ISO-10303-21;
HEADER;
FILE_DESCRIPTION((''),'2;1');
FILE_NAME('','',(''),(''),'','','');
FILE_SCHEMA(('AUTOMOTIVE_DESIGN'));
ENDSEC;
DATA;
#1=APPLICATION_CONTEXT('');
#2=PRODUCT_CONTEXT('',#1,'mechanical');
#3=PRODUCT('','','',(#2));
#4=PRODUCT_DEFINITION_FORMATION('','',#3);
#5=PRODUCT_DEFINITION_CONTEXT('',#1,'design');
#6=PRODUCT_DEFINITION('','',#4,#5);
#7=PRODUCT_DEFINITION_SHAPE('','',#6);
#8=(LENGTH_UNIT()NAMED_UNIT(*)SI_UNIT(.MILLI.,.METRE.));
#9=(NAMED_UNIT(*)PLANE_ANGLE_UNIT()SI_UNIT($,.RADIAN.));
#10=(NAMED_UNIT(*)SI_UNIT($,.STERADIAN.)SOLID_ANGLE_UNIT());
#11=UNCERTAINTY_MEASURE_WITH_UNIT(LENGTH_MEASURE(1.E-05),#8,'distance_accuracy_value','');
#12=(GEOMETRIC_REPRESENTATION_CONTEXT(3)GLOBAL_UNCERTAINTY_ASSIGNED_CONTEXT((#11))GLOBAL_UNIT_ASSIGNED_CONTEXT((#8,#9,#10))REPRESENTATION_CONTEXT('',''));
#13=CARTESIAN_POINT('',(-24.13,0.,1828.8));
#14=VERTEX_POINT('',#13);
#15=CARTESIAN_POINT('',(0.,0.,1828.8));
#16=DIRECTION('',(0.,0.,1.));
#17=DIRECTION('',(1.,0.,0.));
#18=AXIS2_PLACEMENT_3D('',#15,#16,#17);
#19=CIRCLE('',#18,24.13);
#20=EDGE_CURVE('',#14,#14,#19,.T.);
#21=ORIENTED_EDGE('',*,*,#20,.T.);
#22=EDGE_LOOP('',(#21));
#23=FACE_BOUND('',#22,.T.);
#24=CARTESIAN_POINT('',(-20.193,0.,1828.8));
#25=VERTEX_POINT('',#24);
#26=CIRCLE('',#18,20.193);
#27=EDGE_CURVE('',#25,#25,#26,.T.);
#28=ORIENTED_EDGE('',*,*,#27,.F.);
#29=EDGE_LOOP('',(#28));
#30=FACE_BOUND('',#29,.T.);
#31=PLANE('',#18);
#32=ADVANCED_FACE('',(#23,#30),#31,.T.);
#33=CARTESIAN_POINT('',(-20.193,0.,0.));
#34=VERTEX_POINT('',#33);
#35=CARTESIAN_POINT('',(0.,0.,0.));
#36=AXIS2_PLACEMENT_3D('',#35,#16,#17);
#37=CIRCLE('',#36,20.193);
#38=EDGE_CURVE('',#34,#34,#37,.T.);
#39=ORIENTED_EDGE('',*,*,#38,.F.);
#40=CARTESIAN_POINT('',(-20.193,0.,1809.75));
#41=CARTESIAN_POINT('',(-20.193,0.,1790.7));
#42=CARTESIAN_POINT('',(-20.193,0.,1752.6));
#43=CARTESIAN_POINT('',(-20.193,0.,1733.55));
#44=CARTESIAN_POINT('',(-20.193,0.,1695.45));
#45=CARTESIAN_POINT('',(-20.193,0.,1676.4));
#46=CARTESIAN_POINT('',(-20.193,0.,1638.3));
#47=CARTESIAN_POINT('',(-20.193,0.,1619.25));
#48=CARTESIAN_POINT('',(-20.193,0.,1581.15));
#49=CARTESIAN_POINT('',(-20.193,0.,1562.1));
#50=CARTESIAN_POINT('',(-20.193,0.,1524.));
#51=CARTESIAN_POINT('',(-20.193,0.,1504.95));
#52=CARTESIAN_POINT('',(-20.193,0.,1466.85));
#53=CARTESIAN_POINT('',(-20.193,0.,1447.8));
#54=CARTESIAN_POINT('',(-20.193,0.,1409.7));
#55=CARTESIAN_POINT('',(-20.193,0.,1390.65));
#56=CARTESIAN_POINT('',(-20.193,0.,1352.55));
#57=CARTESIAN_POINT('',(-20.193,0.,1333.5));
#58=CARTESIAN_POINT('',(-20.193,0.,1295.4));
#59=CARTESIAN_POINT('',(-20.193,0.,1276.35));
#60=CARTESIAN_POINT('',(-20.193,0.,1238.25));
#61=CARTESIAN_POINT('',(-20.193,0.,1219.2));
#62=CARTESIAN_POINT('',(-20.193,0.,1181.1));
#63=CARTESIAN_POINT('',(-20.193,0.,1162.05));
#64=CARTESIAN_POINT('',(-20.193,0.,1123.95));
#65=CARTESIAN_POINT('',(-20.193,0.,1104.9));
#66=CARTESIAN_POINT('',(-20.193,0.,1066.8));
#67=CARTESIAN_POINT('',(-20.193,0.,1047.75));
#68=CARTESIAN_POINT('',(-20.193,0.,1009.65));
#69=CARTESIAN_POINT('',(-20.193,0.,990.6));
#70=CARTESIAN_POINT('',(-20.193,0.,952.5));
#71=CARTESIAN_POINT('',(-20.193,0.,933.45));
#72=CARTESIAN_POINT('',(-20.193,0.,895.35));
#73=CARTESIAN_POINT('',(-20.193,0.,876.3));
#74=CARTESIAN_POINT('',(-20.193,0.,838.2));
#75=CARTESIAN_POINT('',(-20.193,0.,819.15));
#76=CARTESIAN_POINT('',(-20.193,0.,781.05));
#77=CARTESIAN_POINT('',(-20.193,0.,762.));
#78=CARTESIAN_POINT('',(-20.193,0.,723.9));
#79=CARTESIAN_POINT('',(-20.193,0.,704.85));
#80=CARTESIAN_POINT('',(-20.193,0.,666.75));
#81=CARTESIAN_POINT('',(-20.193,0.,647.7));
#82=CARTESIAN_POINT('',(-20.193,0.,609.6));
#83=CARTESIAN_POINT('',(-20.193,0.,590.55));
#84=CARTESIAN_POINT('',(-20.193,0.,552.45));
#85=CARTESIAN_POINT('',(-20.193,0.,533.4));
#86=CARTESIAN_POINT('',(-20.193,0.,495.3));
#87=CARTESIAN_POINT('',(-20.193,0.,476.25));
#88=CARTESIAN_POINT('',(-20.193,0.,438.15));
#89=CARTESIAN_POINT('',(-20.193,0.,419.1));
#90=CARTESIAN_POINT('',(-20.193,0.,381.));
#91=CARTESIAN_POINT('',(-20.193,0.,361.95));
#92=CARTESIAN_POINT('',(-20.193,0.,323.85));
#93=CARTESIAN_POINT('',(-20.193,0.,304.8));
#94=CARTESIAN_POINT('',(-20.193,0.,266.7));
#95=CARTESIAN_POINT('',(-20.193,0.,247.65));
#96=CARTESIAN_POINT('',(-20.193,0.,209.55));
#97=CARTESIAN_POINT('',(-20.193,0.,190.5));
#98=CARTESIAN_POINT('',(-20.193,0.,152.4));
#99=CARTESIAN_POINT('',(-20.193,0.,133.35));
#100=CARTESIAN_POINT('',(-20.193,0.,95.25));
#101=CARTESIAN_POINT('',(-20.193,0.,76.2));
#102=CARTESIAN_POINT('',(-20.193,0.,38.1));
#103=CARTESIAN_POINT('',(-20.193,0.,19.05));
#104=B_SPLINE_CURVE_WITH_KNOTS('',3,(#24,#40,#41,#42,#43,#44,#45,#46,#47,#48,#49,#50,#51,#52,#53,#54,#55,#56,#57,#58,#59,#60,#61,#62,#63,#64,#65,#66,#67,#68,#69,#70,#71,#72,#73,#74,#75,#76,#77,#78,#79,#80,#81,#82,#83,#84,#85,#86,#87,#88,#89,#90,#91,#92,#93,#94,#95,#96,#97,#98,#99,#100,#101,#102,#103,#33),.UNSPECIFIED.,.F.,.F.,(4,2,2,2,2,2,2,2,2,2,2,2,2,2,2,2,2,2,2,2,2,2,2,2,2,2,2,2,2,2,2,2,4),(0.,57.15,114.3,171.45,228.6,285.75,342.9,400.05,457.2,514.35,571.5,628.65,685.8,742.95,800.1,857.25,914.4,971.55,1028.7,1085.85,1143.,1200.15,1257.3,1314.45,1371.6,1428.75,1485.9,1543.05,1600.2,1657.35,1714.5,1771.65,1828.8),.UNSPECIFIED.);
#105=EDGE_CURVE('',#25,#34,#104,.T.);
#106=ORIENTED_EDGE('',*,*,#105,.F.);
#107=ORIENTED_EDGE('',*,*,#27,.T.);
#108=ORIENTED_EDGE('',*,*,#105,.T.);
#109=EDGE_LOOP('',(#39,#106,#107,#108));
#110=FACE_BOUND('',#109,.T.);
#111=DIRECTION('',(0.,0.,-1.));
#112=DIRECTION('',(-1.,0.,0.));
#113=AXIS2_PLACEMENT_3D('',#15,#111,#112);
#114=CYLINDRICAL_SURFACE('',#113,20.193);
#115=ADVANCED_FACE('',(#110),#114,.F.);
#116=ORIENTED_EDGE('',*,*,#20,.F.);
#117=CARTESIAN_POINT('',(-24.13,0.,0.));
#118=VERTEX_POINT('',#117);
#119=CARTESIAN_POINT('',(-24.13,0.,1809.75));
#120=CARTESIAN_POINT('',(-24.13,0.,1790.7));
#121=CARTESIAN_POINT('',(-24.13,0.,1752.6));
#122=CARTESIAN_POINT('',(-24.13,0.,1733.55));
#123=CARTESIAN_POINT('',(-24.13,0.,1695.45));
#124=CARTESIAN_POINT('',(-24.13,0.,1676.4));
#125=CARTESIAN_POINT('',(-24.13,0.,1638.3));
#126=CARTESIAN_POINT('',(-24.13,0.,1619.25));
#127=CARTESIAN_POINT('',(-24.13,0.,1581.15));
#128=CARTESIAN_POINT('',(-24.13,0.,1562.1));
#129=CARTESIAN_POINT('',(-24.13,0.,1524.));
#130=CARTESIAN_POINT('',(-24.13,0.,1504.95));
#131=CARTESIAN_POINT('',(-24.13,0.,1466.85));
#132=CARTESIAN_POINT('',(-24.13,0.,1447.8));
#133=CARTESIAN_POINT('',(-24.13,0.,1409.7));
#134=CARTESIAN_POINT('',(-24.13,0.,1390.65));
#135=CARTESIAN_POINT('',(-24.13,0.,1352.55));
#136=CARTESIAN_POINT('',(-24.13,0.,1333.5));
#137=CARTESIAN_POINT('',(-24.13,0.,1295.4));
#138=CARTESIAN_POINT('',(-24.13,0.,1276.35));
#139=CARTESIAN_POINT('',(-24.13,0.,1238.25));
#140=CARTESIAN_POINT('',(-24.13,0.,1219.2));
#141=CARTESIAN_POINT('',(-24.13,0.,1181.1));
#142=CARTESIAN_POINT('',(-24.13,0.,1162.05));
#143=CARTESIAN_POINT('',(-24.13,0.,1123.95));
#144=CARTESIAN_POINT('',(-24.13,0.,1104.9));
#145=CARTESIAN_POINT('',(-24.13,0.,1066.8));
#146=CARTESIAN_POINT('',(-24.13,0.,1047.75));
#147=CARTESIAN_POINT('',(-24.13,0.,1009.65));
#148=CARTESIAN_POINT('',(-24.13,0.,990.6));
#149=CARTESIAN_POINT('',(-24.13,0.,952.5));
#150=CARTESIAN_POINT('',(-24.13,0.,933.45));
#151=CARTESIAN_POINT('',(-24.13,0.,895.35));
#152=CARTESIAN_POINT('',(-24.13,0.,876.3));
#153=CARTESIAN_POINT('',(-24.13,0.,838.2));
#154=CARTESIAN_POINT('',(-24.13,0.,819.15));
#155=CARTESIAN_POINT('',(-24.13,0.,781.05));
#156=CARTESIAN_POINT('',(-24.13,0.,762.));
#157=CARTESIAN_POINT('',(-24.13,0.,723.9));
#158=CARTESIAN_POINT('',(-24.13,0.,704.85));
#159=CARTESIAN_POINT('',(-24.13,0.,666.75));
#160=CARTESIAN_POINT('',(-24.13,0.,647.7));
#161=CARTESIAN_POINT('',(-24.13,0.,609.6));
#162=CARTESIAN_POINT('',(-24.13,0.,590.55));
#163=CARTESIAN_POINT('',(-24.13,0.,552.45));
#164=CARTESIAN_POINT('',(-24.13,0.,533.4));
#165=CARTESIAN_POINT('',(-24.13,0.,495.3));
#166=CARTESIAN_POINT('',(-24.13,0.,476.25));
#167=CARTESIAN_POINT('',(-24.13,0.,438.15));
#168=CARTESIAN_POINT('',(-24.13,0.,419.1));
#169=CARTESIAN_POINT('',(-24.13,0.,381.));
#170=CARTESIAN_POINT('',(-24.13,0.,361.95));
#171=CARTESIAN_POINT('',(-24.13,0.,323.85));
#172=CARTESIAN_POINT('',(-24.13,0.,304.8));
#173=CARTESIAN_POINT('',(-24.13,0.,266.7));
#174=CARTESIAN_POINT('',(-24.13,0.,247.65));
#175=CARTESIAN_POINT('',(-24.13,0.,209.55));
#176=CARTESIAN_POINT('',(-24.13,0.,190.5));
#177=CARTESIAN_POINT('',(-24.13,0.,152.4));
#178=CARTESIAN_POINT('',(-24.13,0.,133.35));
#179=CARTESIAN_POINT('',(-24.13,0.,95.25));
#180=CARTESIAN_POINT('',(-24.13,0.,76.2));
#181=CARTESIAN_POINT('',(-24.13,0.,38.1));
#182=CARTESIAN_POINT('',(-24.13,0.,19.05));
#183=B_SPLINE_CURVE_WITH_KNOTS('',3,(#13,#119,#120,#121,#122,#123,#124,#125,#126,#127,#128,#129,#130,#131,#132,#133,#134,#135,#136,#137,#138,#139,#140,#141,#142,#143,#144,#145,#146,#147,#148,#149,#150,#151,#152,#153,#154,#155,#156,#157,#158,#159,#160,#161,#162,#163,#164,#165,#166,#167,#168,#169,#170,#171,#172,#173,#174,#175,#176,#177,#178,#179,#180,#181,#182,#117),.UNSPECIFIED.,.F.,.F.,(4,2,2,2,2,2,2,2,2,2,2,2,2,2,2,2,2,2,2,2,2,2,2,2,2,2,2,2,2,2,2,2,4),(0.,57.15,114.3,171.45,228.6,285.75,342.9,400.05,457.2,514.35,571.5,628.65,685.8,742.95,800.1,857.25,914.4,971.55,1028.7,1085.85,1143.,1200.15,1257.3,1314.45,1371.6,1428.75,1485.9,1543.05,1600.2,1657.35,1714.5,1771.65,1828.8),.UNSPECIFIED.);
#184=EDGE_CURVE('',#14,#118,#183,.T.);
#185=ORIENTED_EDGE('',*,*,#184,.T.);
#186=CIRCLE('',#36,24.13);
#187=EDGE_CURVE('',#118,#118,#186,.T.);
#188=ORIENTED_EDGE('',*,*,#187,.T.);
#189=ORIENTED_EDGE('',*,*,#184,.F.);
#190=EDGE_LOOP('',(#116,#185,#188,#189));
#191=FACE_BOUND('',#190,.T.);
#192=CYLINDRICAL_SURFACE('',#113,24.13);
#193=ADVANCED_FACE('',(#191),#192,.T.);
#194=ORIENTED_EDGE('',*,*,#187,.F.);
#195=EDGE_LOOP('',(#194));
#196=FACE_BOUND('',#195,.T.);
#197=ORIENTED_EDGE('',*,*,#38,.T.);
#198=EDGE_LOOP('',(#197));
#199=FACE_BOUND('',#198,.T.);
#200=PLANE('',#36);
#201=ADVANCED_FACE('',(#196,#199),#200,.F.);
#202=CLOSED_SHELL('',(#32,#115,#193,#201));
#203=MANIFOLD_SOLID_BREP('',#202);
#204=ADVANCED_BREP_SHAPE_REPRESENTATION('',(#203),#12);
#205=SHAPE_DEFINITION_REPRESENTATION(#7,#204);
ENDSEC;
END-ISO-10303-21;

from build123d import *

# Parameters (mm, degrees)
SKETCH1_R           = 24.13
SKETCH1_R_2         = 20.193
BOSS_EXTRUDE1_DEPTH = 1828.8


with BuildPart() as part:
    # Sketch1 → Boss-Extrude1 (new body)
    with BuildSketch(Plane.XY):
        Circle(SKETCH1_R)
        Circle(SKETCH1_R_2, mode=Mode.SUBTRACT)
    extrude(amount=BOSS_EXTRUDE1_DEPTH)


solid = part.part
